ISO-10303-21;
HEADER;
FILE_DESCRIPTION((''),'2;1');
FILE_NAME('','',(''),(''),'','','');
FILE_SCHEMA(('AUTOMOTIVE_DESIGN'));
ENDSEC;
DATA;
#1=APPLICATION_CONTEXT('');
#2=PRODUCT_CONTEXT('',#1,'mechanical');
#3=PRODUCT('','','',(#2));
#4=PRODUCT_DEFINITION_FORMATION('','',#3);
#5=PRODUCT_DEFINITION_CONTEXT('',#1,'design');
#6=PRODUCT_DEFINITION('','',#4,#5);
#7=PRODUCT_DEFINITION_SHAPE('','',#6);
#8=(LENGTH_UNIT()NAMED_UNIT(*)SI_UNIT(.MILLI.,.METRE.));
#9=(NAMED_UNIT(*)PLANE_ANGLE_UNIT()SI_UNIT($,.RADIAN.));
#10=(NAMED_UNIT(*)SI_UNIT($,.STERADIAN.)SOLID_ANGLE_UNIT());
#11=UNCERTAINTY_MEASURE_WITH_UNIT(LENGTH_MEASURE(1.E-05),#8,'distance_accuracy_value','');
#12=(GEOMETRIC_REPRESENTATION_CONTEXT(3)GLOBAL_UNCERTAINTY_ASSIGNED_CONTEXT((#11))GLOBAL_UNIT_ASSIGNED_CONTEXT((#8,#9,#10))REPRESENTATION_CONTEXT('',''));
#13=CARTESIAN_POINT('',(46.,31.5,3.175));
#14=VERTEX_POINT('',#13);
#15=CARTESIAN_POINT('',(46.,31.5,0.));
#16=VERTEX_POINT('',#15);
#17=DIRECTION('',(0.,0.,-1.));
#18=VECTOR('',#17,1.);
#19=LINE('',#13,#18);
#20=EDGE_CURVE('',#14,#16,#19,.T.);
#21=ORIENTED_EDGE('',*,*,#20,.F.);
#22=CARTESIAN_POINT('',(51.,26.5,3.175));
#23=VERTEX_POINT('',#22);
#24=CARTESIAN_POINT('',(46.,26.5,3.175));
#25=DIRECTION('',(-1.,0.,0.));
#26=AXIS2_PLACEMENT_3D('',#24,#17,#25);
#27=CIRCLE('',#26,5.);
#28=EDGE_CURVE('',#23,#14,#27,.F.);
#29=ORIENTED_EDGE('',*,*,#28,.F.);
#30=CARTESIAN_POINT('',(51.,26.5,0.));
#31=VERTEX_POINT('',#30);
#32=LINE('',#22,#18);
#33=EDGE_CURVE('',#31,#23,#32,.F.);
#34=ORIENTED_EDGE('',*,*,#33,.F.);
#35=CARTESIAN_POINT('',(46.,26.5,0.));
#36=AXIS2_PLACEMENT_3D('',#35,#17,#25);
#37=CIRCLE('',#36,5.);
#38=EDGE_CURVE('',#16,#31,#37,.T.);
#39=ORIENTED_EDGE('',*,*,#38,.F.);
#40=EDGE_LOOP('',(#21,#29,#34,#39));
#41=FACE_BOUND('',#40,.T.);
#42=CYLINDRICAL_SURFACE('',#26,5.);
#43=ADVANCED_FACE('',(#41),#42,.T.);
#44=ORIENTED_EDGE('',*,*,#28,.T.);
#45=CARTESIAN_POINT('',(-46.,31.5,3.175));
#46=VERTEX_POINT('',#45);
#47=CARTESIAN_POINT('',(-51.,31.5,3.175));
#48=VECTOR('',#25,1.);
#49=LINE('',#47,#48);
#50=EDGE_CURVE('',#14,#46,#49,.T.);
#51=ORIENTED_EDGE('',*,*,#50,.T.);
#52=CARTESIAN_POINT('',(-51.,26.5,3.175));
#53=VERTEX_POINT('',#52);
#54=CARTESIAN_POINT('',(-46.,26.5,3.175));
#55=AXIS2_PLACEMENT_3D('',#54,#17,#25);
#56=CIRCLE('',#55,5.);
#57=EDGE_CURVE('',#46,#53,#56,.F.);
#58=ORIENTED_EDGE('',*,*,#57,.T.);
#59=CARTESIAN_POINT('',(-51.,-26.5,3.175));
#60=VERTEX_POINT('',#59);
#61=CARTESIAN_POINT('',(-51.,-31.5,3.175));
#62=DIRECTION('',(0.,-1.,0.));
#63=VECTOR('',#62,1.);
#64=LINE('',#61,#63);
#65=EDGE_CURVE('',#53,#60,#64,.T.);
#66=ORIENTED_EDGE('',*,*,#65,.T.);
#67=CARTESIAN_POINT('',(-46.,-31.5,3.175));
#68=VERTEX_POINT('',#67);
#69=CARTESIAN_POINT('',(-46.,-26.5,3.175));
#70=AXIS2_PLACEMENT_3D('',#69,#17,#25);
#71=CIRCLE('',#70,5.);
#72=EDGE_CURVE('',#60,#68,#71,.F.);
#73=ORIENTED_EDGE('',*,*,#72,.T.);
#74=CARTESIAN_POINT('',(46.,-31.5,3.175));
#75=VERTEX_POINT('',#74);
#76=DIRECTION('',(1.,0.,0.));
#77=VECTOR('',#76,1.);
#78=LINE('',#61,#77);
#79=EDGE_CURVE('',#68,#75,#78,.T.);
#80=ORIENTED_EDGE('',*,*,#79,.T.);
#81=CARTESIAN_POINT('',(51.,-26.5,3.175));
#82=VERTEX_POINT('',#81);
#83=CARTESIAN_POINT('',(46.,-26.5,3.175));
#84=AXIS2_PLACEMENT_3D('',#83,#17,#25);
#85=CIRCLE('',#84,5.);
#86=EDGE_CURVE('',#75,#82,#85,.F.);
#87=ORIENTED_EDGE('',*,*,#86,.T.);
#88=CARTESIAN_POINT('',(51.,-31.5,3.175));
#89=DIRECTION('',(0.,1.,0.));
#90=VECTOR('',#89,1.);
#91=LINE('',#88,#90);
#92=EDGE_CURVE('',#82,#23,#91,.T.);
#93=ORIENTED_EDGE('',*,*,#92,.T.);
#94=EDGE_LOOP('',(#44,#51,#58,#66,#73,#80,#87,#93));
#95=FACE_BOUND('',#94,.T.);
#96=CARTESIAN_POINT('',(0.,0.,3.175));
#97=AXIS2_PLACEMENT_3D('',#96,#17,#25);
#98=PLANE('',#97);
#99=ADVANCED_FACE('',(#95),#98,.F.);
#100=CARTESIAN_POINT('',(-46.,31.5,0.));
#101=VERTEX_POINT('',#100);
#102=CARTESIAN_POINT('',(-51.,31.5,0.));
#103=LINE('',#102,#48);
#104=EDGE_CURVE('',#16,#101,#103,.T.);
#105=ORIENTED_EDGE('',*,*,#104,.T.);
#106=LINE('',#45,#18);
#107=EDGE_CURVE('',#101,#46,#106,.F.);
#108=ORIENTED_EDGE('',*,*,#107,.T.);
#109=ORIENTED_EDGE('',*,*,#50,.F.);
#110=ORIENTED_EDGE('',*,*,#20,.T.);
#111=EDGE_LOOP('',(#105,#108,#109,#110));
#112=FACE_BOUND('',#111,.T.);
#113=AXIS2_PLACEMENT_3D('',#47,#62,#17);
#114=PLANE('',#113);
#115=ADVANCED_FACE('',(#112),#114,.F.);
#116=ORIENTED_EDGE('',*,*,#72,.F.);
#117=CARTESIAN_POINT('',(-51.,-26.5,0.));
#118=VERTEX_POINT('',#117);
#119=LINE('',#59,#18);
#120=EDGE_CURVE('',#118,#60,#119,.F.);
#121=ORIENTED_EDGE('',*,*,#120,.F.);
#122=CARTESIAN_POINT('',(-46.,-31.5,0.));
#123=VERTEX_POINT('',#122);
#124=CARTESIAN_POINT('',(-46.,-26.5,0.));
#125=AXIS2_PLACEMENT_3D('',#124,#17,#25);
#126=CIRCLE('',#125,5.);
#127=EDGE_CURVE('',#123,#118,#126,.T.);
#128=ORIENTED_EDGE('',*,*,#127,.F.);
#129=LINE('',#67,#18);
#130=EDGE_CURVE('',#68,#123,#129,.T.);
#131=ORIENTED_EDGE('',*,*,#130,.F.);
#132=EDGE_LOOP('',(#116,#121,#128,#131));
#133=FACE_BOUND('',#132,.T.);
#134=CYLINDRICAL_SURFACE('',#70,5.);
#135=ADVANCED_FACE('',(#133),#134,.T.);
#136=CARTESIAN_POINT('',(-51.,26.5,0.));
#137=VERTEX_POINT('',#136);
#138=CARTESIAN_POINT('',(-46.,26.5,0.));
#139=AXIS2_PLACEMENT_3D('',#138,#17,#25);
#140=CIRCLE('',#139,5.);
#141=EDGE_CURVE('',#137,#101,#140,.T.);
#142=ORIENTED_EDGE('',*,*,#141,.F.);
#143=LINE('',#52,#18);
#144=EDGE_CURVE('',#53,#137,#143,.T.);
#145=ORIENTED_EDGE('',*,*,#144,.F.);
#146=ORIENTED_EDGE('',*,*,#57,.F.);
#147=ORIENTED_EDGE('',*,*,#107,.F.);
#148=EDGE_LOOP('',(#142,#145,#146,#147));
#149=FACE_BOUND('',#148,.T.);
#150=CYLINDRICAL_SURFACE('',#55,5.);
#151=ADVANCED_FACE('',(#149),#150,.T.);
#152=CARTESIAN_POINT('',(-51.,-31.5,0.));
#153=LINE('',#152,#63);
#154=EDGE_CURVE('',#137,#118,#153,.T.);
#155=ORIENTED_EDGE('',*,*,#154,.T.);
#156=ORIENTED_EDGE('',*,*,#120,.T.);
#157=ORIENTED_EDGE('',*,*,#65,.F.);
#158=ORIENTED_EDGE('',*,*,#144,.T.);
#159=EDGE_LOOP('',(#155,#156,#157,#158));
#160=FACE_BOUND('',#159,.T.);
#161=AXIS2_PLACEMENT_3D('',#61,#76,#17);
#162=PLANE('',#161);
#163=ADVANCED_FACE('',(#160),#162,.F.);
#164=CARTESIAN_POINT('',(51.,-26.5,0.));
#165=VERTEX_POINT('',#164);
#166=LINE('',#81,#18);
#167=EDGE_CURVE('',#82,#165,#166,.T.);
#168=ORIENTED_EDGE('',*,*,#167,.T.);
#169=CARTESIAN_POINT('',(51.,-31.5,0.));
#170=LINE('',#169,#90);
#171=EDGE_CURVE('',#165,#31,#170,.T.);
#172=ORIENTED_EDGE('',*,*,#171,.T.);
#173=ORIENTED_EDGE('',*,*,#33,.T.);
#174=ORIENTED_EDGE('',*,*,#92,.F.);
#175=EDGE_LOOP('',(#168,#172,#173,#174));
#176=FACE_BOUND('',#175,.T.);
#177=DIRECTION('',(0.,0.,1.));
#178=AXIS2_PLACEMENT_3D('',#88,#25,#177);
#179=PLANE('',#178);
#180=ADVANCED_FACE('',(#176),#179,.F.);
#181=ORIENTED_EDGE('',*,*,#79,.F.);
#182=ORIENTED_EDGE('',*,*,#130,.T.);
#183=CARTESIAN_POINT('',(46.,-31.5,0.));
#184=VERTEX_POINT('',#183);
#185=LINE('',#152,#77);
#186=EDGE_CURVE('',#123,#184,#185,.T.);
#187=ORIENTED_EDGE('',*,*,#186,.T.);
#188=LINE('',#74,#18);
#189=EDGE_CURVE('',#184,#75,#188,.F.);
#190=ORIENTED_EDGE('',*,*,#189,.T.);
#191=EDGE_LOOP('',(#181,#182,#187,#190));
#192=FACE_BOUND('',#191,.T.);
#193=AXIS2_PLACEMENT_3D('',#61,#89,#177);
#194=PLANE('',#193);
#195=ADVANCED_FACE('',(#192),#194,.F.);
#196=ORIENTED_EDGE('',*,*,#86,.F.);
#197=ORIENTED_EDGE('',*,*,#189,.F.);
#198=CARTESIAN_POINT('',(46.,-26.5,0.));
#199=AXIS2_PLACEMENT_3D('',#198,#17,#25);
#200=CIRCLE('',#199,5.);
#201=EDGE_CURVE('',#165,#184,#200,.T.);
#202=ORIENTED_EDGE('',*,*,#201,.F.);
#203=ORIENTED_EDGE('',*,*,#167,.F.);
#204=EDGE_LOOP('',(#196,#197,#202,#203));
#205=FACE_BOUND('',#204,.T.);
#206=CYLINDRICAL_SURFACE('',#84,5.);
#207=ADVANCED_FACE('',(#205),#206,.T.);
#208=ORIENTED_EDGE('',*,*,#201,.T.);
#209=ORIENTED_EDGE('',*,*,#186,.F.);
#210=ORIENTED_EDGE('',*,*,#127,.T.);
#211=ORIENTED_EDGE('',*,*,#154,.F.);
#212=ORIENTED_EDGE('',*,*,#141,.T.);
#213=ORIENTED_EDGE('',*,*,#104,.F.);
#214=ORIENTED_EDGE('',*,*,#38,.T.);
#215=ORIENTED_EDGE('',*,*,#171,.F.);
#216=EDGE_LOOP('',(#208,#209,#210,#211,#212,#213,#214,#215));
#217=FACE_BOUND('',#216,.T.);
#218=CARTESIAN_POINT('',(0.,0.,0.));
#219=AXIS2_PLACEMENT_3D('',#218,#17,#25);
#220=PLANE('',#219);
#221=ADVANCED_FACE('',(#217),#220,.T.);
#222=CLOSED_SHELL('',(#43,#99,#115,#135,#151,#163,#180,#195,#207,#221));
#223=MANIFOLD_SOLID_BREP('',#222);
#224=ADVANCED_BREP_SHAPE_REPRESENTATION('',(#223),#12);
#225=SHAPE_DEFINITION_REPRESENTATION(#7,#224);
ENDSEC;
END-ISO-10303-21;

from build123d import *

# Parameters (mm, degrees)
SKETCH1_W           = 102
SKETCH1_H           = 63
BOSS_EXTRUDE1_DEPTH = 3.175
FILLET1_R           = 5


with BuildPart() as part:
    # Sketch1 → Boss-Extrude1 (new body)
    with BuildSketch(Plane.XY):
        Rectangle(SKETCH1_W, SKETCH1_H)
    extrude(amount=BOSS_EXTRUDE1_DEPTH)

    # Fillet1
    fillet1_edges = [part.edges().sort_by_distance(p)[0] for p in [
        (51, -31.5, 1.5875),
        (-51, -31.5, 1.5875),
        (-51, 31.5, 1.5875),
        (51, 31.5, 1.5875),
    ]]
    fillet(fillet1_edges, radius=FILLET1_R)


solid = part.part
